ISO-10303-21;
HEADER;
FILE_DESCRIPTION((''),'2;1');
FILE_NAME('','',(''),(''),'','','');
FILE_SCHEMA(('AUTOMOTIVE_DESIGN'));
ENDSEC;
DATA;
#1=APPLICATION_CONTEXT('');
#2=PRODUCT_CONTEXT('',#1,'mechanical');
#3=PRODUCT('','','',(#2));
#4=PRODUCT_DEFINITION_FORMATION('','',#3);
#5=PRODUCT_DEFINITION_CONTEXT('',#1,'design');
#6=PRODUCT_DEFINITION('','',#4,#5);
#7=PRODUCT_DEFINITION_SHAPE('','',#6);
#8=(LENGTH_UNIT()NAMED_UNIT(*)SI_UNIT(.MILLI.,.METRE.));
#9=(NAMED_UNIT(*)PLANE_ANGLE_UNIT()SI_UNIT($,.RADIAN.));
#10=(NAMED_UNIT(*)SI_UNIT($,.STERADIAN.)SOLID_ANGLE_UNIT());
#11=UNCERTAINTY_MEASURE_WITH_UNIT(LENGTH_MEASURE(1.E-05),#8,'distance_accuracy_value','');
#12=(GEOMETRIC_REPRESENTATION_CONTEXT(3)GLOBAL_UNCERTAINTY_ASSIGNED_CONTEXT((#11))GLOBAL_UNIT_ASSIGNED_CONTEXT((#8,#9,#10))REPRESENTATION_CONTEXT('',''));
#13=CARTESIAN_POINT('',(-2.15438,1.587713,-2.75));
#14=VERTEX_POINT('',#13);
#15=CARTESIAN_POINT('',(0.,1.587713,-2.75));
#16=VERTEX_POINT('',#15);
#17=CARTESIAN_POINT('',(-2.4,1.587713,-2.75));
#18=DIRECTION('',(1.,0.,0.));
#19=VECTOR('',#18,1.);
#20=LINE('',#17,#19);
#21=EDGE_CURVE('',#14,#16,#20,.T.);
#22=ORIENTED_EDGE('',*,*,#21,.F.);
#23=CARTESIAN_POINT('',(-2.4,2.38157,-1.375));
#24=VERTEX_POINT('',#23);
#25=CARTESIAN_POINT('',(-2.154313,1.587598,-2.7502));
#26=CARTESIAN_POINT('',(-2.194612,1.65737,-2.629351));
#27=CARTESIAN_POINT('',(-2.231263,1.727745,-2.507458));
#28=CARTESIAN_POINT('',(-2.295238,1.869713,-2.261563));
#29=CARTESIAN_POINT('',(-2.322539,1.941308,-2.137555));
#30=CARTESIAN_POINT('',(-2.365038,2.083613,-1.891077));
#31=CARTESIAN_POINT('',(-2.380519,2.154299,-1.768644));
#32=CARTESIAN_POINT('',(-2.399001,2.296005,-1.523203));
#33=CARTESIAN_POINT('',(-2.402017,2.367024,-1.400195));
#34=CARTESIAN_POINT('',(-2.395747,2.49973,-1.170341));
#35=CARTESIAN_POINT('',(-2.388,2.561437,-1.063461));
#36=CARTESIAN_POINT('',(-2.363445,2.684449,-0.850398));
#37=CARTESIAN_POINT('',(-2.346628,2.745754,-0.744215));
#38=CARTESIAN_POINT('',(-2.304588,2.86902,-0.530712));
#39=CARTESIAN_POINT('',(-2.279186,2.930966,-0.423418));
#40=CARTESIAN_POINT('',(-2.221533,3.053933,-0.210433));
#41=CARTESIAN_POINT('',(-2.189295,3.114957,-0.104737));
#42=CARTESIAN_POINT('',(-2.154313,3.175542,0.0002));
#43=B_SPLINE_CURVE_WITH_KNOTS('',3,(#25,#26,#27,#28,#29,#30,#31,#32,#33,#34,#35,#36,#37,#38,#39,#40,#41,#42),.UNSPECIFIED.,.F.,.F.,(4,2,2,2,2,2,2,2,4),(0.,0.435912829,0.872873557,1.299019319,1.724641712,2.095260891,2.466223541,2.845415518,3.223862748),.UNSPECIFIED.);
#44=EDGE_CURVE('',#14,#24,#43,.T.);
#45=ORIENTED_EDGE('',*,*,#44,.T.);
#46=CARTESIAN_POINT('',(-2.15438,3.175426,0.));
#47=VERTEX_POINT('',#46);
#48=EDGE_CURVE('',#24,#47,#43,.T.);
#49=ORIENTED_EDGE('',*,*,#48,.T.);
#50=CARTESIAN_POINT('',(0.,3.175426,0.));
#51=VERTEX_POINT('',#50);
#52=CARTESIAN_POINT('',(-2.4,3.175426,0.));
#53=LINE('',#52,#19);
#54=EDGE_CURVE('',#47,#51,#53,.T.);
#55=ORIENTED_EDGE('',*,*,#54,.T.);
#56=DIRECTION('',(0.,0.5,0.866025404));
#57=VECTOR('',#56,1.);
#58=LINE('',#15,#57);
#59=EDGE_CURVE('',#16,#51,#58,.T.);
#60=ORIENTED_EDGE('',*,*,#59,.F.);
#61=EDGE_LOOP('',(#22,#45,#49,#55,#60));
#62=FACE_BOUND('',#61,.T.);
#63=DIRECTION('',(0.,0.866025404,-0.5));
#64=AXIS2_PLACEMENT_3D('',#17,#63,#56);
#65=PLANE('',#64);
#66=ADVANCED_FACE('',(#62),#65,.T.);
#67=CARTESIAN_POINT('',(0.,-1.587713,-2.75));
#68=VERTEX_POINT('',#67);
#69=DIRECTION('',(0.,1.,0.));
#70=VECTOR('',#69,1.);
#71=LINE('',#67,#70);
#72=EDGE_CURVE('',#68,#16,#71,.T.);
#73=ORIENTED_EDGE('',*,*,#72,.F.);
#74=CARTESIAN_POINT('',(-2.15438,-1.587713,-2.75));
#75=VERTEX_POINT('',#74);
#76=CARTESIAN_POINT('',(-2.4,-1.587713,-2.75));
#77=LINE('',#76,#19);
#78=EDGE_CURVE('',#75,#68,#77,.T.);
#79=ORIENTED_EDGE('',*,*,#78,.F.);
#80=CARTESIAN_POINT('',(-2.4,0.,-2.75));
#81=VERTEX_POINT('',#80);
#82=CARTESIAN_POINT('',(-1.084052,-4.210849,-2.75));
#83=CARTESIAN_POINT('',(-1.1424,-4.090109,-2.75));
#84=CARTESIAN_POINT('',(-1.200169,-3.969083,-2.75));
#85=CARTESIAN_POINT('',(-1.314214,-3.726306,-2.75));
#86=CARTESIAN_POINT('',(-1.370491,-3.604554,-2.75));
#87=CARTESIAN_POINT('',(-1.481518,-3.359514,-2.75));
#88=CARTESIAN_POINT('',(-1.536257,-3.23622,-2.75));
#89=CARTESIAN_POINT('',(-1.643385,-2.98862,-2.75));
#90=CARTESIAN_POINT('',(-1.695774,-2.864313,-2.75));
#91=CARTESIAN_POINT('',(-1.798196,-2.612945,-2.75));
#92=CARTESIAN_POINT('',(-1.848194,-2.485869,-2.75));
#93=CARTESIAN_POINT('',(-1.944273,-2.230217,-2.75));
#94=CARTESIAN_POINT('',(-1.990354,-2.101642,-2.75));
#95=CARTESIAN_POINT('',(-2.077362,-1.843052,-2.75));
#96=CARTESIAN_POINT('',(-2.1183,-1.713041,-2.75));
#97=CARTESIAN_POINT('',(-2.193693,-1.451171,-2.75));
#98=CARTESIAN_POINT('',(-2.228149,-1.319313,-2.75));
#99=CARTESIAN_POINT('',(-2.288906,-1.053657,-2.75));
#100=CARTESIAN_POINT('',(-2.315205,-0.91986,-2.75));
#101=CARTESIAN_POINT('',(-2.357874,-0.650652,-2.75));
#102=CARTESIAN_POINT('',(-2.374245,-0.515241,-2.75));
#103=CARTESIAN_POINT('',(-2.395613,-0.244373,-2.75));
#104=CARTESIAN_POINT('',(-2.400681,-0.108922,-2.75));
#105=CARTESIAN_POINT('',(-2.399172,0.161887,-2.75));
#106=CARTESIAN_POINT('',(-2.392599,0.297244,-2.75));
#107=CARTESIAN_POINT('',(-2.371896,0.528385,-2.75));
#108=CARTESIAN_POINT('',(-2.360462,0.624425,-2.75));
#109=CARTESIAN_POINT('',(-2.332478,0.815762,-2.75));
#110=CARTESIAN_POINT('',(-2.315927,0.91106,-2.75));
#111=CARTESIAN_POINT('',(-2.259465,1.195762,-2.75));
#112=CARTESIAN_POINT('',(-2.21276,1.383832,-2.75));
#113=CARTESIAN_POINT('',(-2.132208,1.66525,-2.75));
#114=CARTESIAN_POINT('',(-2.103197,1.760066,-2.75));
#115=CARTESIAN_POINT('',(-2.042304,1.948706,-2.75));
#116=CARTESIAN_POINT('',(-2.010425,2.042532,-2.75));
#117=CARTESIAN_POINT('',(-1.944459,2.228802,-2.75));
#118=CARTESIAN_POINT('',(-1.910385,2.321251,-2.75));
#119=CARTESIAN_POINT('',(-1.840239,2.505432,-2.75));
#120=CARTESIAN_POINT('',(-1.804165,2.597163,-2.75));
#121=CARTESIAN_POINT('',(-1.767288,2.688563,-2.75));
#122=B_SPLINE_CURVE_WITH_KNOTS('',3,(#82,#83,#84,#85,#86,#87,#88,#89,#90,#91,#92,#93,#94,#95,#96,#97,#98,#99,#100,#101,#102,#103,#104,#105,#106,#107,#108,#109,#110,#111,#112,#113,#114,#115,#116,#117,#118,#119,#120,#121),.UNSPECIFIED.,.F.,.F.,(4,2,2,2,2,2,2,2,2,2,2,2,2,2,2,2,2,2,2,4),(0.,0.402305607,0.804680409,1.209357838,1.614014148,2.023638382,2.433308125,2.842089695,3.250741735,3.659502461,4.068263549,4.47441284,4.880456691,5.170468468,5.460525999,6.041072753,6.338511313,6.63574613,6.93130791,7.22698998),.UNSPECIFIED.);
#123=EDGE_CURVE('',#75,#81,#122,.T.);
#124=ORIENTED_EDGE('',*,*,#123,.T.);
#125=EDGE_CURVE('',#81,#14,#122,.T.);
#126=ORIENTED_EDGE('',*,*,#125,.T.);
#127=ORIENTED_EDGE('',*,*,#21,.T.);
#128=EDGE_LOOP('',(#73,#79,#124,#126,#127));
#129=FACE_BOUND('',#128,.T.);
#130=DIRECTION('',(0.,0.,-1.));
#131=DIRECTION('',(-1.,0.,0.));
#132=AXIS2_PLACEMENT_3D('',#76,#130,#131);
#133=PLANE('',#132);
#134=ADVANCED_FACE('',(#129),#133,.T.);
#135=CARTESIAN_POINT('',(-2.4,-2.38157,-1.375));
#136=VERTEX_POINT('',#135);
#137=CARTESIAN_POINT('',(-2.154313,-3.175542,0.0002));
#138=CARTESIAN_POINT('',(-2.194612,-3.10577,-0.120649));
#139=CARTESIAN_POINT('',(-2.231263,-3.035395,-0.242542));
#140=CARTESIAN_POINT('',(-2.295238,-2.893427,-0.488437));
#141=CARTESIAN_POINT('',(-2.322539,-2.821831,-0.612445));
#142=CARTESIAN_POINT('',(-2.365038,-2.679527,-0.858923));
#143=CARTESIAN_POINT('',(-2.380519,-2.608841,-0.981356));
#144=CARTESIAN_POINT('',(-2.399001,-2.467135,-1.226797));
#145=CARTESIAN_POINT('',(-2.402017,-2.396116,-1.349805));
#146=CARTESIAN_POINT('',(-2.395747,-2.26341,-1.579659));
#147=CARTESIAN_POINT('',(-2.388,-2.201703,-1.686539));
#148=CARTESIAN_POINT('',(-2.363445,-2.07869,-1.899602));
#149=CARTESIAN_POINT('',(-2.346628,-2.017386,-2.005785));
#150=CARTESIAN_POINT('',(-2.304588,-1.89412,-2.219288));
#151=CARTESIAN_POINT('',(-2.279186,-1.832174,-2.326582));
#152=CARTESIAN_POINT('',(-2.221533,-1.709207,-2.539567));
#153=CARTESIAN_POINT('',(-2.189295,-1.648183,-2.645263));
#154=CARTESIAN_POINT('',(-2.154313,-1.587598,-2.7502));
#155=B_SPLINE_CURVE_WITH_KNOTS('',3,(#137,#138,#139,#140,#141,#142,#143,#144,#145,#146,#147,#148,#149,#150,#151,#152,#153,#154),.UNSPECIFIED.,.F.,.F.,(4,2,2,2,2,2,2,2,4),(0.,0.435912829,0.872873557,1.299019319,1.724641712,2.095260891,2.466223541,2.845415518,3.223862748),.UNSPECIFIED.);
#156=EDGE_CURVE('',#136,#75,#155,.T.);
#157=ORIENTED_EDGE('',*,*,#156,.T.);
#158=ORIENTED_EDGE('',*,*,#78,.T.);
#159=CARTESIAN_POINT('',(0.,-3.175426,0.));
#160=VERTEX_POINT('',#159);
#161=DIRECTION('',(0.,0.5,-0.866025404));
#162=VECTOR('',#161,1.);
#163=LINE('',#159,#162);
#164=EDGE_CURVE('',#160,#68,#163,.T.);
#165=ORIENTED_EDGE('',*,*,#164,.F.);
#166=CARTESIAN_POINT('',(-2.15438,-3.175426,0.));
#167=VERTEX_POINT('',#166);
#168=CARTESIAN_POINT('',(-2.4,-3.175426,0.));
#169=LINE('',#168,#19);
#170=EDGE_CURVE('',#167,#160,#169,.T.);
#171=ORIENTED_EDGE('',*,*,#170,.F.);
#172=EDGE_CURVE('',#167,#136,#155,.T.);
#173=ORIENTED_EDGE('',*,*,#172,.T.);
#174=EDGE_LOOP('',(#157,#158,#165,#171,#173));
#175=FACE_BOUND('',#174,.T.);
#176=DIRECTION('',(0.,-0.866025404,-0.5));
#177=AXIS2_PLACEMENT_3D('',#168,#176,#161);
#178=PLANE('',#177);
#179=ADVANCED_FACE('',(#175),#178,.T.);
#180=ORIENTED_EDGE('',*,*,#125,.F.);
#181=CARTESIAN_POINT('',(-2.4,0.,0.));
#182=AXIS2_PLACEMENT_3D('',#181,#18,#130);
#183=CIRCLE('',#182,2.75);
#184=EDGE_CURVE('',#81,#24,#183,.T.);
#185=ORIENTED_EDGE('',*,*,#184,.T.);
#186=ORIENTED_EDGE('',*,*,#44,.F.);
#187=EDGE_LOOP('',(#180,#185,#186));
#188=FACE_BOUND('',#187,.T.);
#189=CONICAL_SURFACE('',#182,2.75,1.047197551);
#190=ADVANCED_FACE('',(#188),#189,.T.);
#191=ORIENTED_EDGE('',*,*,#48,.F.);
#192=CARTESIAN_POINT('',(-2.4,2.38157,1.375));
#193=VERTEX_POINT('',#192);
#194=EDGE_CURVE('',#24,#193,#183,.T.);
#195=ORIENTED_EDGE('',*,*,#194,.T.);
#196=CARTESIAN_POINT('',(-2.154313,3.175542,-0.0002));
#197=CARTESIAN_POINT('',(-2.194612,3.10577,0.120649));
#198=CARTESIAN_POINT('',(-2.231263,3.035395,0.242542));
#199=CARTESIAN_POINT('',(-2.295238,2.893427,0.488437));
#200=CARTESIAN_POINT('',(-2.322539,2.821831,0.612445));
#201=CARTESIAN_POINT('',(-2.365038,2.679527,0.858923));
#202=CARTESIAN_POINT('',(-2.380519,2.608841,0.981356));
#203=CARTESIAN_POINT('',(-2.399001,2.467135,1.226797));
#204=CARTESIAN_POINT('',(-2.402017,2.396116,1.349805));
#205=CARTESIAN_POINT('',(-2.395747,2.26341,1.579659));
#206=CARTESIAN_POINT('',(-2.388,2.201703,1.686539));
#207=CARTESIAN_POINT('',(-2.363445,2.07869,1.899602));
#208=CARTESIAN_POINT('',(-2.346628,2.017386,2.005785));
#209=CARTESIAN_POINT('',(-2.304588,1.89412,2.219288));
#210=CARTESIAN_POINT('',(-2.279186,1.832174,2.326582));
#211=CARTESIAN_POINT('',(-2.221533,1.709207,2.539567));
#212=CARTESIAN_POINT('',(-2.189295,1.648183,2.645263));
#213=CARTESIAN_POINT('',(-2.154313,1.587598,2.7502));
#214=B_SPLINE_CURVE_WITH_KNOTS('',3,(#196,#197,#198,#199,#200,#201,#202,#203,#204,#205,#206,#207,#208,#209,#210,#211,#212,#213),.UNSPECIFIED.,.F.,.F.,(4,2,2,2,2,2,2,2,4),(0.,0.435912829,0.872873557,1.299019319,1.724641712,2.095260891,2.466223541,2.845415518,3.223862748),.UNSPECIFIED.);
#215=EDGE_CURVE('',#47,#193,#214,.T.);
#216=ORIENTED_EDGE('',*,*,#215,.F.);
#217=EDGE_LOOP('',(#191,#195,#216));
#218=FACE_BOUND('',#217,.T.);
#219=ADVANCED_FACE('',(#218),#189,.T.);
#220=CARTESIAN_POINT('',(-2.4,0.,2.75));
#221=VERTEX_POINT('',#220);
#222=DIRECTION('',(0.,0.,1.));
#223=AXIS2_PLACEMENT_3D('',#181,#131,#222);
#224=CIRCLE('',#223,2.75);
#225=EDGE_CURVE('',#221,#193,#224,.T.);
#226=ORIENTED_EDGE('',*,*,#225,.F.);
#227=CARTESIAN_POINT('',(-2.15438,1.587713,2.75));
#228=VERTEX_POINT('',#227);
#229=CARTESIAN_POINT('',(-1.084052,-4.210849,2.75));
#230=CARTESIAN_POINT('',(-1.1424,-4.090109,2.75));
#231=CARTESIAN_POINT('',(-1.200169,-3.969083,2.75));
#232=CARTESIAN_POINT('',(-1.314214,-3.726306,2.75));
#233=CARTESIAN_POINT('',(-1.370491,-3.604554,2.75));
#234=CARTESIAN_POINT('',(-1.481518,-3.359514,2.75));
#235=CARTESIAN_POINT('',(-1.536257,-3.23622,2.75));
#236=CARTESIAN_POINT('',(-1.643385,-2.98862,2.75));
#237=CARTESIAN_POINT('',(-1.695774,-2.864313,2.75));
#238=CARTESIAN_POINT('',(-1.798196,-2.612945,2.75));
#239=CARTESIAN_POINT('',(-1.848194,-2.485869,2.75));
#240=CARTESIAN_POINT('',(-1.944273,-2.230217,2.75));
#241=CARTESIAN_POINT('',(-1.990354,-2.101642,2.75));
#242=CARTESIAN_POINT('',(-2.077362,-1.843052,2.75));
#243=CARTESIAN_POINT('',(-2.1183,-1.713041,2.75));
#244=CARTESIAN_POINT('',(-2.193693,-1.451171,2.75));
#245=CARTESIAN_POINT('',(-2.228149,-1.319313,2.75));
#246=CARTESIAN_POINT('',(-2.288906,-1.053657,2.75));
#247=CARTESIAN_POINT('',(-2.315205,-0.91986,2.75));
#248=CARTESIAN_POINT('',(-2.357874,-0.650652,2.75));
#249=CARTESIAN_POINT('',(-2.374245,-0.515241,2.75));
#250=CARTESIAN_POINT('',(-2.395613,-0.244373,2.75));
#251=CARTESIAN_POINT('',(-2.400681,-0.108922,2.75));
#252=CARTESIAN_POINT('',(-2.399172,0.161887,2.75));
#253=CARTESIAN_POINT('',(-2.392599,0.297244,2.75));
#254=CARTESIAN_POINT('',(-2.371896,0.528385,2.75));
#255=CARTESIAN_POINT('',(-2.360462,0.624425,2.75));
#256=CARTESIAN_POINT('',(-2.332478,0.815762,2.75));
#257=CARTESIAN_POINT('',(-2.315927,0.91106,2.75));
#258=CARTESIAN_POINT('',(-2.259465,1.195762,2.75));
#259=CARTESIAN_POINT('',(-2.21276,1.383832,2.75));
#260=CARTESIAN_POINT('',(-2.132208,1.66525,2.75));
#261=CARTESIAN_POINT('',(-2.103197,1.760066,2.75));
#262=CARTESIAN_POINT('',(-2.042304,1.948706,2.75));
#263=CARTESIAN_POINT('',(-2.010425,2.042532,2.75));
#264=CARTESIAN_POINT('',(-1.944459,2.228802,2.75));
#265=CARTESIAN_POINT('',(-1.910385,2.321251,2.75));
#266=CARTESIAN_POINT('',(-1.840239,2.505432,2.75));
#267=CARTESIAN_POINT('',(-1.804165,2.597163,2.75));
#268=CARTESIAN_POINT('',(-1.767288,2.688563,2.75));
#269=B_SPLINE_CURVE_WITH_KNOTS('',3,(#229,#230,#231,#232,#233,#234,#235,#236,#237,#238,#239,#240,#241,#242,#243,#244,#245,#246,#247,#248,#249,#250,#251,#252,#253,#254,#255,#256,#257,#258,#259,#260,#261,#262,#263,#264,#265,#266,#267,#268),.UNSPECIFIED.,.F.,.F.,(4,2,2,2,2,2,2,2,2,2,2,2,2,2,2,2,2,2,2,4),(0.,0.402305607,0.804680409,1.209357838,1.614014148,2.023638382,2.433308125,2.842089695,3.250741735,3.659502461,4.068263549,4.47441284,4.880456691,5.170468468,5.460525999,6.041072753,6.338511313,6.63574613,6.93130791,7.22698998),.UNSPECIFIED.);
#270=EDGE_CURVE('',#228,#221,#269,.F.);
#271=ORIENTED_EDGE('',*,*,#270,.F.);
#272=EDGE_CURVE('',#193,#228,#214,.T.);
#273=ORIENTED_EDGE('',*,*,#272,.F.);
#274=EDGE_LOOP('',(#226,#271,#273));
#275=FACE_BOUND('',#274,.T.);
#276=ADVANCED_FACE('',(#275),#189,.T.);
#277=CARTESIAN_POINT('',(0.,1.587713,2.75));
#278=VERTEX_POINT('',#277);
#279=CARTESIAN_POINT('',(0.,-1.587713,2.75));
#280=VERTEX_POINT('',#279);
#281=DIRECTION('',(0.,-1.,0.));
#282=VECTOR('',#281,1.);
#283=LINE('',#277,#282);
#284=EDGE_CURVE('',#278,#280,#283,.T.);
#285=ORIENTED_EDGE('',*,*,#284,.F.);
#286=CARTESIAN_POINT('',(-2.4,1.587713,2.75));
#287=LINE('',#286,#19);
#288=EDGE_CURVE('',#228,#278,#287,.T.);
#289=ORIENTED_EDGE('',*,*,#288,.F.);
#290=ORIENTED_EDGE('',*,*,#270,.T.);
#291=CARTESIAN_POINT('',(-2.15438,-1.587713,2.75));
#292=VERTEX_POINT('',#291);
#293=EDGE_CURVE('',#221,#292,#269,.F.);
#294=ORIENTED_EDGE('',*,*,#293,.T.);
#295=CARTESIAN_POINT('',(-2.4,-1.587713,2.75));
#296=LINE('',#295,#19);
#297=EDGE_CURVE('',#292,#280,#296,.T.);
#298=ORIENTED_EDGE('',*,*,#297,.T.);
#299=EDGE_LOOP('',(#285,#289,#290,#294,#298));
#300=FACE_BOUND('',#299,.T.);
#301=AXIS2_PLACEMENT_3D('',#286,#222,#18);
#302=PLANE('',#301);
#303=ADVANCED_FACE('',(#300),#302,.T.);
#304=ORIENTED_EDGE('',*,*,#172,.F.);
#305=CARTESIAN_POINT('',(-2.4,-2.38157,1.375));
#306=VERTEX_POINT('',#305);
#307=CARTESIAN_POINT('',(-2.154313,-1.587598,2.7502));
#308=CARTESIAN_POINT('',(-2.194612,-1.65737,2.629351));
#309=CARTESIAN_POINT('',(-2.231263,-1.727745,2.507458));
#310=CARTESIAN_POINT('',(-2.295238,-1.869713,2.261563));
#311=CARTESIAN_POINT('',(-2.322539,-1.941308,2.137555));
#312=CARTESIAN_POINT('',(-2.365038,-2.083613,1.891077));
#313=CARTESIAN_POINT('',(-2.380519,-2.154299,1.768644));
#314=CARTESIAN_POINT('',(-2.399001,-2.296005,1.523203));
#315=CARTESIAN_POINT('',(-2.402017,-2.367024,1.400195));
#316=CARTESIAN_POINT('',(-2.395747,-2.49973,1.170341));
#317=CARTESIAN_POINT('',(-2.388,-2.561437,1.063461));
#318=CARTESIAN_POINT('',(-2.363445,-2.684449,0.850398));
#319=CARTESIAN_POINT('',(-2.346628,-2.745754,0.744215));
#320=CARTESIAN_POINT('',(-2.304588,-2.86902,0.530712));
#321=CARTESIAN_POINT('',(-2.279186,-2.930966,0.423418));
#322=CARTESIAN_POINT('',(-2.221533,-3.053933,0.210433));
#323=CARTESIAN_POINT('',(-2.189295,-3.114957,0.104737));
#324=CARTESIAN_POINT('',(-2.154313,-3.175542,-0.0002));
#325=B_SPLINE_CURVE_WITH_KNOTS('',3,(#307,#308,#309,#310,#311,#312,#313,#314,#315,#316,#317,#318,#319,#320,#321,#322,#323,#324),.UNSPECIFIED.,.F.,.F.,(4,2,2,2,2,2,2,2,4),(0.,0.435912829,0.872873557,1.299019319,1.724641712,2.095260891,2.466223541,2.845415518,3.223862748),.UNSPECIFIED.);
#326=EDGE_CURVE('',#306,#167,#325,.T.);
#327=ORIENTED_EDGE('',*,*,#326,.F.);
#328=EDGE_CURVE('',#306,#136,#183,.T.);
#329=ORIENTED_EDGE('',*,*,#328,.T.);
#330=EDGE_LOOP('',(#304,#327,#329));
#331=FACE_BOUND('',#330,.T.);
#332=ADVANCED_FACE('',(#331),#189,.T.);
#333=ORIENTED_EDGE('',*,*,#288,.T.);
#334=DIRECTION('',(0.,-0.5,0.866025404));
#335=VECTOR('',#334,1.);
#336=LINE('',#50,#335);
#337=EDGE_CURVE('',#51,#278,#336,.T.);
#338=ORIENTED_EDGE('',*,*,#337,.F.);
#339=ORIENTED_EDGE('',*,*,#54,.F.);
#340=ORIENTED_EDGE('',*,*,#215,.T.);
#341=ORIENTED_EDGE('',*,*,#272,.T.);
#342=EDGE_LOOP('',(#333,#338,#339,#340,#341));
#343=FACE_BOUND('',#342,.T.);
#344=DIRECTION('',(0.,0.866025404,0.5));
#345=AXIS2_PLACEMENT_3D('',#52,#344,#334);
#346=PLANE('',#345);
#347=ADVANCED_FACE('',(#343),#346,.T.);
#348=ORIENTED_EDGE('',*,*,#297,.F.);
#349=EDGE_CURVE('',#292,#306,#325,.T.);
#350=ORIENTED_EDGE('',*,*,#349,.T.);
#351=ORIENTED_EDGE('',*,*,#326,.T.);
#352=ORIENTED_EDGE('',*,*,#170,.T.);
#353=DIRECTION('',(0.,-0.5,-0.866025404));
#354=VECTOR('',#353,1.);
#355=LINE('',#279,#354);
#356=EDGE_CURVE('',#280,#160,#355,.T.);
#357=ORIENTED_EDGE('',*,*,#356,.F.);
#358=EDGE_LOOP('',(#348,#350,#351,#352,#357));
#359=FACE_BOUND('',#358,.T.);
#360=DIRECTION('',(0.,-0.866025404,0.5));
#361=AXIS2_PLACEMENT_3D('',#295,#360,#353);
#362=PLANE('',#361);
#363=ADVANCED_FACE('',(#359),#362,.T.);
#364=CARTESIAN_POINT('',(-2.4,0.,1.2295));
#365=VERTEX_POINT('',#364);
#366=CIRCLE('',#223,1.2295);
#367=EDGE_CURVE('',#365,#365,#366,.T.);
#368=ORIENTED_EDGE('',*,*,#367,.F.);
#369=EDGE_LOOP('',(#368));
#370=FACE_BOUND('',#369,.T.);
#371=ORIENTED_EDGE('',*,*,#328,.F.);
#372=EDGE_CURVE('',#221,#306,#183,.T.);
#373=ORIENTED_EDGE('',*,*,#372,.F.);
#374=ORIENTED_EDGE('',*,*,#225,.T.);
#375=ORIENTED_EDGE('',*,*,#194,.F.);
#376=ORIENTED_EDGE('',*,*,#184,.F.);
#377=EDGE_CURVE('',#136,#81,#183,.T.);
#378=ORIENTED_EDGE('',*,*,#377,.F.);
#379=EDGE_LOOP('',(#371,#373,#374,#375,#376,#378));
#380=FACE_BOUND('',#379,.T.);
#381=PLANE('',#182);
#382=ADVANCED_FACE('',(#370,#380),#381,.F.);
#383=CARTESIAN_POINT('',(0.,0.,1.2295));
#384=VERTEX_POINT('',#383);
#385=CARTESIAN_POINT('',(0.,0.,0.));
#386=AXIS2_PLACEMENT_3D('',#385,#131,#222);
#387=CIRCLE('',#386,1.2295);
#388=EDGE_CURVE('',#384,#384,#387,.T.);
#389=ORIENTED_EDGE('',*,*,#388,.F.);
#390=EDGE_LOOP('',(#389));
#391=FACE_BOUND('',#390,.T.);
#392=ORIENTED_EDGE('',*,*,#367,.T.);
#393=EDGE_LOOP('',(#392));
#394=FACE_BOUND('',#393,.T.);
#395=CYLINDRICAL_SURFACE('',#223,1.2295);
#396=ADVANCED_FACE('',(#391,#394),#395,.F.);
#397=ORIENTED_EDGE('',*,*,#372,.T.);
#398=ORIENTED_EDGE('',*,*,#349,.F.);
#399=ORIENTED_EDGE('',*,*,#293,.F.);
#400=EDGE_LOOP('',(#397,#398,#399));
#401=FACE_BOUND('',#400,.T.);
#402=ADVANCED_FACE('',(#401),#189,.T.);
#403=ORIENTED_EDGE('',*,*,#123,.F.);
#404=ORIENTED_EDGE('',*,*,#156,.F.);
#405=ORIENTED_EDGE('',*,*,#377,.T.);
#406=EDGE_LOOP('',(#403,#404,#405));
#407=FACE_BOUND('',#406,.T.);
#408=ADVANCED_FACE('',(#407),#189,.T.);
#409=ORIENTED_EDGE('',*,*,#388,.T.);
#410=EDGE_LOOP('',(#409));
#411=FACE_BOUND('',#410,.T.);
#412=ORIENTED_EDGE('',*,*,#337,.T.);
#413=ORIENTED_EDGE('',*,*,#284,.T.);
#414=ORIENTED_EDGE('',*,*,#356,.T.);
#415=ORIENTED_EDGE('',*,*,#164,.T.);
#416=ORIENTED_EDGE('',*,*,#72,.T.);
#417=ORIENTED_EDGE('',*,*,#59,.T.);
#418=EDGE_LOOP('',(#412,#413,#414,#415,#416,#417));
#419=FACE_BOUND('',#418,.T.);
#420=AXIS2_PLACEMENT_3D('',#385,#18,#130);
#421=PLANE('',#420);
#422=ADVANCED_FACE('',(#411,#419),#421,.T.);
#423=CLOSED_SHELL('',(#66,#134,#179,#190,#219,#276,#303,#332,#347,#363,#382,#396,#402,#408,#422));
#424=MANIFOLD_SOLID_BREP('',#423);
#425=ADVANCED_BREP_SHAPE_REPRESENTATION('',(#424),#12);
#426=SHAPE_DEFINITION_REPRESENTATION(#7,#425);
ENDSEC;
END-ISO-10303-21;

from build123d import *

# Parameters (mm, degrees)
BOSS_EXTRUDE1_DEPTH = 2.4
TAP1_D              = 2.459


with BuildPart() as part:
    # Sketch1 → Boss-Extrude1 (new body)
    with BuildSketch(Plane(origin=(0, 0, 0), x_dir=(0, 0, -1), z_dir=(1, 0, 0))):
        Polygon((0, 3.175426481), (-2.75, 1.58771324), (-2.75, -1.58771324), (0, -3.175426481), (2.75, -1.58771324), (2.75, 1.58771324), align=None)
    extrude(amount=-BOSS_EXTRUDE1_DEPTH)

    # Sketch2 → Cut-Revolve1 (revolve, cut)
    with BuildSketch(Plane.XY):
        Polygon((-2.4, 2.75), (-2.154379907, 3.175426481), (-2.4, 3.175426481), align=None)
    revolve(axis=Axis((-2.23854625, 0, 0), (1, 0, 0)), mode=Mode.SUBTRACT)

    # Tap1 (through all)
    with Locations(Plane.ZY.offset(2.4)):
        with Locations((0, 0)):
            Hole(TAP1_D / 2)


solid = part.part
